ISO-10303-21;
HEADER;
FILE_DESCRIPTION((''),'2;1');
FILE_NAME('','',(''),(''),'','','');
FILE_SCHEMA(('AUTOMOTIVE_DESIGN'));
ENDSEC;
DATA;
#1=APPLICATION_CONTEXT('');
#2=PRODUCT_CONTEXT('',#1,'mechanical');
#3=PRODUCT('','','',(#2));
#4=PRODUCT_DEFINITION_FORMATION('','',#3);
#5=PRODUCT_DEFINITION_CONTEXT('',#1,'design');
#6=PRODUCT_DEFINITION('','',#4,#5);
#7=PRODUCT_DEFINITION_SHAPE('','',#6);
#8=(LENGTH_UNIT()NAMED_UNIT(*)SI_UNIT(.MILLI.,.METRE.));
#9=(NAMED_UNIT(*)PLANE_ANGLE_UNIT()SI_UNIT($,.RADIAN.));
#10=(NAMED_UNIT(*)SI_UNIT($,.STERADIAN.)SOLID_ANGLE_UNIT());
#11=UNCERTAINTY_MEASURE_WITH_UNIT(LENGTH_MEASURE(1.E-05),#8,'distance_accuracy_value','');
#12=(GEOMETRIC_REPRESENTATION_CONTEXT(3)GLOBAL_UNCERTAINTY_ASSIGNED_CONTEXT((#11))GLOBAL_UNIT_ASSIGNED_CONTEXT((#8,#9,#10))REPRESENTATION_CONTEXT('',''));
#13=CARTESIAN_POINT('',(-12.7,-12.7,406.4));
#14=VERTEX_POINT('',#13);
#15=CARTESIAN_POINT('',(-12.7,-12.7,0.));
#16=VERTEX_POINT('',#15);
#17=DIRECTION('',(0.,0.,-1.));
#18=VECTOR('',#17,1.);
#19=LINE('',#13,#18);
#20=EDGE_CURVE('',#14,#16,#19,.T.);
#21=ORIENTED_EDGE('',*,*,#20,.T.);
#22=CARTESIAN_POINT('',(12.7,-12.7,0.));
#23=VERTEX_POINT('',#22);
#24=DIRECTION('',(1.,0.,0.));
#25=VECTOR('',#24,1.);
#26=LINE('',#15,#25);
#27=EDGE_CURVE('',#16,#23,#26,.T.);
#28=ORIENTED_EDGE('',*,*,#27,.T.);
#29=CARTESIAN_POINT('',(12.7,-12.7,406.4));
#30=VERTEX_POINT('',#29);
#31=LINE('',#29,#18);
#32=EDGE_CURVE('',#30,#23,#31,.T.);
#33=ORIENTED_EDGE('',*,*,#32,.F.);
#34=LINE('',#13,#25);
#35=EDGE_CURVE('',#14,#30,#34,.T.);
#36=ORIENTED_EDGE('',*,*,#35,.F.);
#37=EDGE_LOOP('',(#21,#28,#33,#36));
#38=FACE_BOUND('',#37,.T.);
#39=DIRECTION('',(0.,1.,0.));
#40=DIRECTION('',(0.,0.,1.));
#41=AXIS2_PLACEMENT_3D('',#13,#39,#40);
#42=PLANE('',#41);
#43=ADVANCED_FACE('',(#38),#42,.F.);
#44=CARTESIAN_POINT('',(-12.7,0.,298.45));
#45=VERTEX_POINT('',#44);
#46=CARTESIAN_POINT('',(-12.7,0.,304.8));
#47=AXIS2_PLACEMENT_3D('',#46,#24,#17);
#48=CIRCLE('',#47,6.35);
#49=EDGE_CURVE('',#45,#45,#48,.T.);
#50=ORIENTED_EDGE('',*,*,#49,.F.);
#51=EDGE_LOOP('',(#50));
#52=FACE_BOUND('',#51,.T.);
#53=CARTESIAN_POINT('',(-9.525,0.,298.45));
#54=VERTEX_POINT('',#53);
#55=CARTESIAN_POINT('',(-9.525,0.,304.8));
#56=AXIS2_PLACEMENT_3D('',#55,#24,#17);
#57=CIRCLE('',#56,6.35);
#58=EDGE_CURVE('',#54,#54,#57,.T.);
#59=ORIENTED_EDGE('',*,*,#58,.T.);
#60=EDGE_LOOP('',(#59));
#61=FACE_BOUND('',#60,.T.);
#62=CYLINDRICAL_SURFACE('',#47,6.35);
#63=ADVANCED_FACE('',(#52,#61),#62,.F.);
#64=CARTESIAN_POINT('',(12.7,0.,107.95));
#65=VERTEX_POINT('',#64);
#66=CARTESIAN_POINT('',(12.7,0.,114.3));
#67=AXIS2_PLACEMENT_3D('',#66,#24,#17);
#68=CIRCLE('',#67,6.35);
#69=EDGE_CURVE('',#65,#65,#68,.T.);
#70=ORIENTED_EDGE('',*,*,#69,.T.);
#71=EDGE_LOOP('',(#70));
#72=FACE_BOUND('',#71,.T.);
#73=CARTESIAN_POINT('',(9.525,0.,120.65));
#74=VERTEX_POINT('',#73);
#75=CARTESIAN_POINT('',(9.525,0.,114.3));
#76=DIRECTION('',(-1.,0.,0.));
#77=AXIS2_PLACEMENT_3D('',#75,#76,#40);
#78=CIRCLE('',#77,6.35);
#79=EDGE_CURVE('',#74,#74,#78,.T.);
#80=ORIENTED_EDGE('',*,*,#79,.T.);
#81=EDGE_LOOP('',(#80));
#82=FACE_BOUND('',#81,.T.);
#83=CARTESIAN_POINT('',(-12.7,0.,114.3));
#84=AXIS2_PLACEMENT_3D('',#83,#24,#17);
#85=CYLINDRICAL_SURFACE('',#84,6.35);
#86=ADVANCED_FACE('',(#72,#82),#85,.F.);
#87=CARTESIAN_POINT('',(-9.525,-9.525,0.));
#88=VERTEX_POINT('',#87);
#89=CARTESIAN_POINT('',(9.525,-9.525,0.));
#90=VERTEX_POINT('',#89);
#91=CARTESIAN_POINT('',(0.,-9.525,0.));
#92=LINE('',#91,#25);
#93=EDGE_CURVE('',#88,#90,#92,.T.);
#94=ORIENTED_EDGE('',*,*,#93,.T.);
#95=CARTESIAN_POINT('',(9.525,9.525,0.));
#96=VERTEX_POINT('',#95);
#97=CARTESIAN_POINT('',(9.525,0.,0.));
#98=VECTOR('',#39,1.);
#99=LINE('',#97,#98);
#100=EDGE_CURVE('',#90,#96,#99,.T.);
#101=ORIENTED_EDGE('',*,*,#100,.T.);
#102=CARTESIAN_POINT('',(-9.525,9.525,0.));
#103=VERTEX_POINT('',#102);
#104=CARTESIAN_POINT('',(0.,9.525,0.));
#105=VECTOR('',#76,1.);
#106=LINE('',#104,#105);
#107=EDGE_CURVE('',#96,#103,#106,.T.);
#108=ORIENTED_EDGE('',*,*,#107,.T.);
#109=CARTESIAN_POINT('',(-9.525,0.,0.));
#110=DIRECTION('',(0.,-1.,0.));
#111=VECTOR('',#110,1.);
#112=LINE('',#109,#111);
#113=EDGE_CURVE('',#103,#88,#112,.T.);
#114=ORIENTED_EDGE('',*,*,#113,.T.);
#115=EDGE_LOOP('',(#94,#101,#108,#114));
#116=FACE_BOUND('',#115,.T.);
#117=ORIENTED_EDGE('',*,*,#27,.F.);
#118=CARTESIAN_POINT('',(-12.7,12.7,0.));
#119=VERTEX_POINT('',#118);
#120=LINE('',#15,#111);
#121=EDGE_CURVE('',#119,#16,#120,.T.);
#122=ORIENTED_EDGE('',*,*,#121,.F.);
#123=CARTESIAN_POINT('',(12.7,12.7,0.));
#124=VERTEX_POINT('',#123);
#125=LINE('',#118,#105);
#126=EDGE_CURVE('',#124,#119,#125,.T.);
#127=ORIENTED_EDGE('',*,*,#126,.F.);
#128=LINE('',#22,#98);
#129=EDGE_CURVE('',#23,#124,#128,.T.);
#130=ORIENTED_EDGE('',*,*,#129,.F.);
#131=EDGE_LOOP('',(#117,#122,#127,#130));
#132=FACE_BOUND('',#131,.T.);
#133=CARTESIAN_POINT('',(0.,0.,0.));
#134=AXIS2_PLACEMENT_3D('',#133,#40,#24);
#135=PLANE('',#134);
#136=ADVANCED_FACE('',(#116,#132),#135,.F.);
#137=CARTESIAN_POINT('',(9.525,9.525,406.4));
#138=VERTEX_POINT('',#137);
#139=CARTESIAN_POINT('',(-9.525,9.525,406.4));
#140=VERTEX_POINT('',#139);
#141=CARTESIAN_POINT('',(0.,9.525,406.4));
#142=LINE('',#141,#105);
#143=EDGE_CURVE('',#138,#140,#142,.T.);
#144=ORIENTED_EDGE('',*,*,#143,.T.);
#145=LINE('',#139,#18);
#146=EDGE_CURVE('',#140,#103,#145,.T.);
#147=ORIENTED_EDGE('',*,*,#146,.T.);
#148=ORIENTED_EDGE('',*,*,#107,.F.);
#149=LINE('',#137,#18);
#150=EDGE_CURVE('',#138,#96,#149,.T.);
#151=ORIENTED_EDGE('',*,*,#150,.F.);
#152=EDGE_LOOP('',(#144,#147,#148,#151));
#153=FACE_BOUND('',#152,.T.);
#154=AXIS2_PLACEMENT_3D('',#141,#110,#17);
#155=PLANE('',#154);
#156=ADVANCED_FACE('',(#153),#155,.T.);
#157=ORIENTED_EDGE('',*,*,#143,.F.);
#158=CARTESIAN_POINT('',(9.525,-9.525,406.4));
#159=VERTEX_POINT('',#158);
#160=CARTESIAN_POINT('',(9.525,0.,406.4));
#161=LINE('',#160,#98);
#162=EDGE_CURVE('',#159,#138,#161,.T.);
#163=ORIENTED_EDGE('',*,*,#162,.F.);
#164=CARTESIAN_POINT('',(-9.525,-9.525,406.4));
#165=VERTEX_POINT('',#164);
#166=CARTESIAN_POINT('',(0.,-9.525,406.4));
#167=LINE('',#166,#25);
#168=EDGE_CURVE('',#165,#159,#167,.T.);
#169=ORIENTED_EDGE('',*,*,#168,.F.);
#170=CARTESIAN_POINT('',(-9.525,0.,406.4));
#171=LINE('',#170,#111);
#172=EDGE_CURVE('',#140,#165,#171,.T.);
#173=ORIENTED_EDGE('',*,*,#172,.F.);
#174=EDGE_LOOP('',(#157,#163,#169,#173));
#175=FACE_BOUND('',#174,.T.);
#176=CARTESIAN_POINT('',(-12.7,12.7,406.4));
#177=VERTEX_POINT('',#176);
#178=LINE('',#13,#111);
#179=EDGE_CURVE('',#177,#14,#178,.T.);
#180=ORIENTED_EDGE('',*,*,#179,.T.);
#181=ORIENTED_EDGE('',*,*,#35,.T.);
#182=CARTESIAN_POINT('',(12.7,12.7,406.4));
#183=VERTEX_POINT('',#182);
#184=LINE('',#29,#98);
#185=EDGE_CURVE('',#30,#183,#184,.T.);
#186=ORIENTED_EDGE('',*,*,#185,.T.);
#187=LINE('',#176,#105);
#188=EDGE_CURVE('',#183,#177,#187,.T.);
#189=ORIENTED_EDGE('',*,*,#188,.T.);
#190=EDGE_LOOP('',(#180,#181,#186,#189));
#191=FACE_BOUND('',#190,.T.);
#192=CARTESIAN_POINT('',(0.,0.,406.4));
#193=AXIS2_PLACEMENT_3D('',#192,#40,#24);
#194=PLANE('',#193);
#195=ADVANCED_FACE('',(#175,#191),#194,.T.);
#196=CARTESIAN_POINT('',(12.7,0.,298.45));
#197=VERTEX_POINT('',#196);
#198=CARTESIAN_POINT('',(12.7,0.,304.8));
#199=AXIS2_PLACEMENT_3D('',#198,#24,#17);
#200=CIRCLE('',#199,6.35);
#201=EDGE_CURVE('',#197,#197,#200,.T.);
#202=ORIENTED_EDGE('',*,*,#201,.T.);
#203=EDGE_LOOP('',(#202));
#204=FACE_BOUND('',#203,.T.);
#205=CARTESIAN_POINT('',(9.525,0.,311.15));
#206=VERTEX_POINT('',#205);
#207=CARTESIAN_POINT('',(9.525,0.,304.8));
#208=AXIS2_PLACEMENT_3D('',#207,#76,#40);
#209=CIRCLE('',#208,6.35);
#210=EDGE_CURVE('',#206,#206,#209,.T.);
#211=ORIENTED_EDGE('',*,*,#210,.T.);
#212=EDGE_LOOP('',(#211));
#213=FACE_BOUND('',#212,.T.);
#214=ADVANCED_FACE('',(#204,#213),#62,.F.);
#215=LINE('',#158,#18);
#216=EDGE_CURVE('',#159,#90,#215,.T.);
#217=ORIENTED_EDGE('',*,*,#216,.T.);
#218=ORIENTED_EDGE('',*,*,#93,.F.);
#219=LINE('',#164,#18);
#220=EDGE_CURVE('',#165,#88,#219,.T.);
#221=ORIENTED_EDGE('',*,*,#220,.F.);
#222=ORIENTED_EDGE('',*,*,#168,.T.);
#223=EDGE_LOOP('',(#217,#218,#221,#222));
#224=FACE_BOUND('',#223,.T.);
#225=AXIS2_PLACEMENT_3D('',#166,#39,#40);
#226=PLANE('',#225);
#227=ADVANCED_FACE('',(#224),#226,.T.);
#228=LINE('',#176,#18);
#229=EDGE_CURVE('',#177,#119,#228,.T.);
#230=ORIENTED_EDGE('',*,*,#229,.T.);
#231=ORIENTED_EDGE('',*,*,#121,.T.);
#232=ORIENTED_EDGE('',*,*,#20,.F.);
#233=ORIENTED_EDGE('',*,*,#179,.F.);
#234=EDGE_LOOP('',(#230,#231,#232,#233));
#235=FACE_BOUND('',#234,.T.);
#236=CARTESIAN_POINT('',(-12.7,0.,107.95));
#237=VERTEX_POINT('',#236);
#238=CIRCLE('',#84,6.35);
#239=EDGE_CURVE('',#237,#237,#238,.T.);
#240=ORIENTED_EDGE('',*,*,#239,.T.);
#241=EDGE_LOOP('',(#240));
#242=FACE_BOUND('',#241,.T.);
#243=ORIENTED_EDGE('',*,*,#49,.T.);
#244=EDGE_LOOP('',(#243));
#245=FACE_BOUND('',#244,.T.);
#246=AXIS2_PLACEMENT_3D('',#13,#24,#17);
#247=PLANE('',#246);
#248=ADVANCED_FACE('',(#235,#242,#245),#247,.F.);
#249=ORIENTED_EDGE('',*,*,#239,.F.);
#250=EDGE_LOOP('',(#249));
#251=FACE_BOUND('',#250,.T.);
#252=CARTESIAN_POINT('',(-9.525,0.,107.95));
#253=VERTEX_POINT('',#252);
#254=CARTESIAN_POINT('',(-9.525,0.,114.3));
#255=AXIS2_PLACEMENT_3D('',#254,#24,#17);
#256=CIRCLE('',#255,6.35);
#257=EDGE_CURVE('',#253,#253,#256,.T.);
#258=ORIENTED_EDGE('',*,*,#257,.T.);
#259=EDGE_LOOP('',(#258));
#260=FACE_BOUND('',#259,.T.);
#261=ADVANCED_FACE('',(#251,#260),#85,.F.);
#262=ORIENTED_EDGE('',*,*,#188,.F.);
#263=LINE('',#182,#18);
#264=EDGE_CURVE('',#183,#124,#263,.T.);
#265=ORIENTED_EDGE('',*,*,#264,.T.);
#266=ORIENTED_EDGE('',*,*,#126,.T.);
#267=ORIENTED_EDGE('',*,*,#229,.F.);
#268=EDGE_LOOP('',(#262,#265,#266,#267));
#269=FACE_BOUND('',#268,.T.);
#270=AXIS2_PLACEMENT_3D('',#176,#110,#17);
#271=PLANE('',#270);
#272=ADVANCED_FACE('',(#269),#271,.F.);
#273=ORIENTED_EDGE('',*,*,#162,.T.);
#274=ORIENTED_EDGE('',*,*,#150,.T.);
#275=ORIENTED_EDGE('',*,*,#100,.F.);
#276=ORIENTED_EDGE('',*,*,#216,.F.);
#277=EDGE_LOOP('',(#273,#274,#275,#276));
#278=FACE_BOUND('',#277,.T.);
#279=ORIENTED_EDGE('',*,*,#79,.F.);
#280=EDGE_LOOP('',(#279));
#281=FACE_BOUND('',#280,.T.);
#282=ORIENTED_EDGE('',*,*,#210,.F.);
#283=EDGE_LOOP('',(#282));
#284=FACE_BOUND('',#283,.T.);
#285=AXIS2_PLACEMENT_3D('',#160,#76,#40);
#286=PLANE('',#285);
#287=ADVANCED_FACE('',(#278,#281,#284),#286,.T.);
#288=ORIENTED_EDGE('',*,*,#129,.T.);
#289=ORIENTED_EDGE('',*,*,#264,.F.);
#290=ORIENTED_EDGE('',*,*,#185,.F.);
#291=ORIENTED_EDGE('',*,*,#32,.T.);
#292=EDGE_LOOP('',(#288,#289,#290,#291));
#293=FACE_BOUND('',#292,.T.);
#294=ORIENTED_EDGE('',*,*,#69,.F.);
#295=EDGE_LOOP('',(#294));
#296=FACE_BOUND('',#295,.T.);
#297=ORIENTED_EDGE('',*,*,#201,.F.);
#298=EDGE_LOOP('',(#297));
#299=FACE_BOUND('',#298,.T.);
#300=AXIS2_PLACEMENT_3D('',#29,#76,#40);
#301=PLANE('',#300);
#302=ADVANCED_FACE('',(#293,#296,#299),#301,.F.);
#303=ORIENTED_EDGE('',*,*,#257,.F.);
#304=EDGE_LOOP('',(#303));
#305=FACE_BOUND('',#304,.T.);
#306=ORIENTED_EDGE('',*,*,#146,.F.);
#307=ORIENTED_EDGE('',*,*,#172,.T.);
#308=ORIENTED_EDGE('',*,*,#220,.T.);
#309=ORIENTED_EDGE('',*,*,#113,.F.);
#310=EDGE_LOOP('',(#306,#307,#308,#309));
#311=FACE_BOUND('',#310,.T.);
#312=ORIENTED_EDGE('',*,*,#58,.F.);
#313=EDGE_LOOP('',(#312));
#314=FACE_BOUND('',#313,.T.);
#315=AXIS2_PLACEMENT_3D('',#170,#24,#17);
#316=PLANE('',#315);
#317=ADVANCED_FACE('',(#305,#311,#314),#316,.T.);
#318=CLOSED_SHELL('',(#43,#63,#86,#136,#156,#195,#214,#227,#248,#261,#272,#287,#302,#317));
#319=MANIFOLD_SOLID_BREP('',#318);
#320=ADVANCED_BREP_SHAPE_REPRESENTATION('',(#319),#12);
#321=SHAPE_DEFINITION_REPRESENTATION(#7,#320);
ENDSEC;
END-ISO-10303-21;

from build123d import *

# Parameters (mm, degrees)
SKETCH1_W           = 25.4
SKETCH1_H           = 25.4
SKETCH1_W_2         = 19.05
SKETCH1_H_2         = 19.05
EXTRUDE_THIN1_DEPTH = 406.4
SKETCH2_R           = 6.35
CUT_EXTRUDE1_DEPTH  = 408.390979282


with BuildPart() as part:
    # Sketch1 → Extrude-Thin1 (new body)
    with BuildSketch(Plane.XY):
        Rectangle(SKETCH1_W, SKETCH1_H)
        Rectangle(SKETCH1_W_2, SKETCH1_H_2, mode=Mode.SUBTRACT)
    extrude(amount=EXTRUDE_THIN1_DEPTH)

    # Sketch2 → Cut-Extrude1 (cut, through all)
    with BuildSketch(Plane(origin=(12.7, 0, 0), x_dir=(0, 0, -1), z_dir=(1, 0, 0))):
        with Locations((-304.8, 0)):
            Circle(SKETCH2_R)
        with Locations((-114.3, 0)):
            Circle(SKETCH2_R)
    extrude(amount=-CUT_EXTRUDE1_DEPTH, mode=Mode.SUBTRACT)


solid = part.part
